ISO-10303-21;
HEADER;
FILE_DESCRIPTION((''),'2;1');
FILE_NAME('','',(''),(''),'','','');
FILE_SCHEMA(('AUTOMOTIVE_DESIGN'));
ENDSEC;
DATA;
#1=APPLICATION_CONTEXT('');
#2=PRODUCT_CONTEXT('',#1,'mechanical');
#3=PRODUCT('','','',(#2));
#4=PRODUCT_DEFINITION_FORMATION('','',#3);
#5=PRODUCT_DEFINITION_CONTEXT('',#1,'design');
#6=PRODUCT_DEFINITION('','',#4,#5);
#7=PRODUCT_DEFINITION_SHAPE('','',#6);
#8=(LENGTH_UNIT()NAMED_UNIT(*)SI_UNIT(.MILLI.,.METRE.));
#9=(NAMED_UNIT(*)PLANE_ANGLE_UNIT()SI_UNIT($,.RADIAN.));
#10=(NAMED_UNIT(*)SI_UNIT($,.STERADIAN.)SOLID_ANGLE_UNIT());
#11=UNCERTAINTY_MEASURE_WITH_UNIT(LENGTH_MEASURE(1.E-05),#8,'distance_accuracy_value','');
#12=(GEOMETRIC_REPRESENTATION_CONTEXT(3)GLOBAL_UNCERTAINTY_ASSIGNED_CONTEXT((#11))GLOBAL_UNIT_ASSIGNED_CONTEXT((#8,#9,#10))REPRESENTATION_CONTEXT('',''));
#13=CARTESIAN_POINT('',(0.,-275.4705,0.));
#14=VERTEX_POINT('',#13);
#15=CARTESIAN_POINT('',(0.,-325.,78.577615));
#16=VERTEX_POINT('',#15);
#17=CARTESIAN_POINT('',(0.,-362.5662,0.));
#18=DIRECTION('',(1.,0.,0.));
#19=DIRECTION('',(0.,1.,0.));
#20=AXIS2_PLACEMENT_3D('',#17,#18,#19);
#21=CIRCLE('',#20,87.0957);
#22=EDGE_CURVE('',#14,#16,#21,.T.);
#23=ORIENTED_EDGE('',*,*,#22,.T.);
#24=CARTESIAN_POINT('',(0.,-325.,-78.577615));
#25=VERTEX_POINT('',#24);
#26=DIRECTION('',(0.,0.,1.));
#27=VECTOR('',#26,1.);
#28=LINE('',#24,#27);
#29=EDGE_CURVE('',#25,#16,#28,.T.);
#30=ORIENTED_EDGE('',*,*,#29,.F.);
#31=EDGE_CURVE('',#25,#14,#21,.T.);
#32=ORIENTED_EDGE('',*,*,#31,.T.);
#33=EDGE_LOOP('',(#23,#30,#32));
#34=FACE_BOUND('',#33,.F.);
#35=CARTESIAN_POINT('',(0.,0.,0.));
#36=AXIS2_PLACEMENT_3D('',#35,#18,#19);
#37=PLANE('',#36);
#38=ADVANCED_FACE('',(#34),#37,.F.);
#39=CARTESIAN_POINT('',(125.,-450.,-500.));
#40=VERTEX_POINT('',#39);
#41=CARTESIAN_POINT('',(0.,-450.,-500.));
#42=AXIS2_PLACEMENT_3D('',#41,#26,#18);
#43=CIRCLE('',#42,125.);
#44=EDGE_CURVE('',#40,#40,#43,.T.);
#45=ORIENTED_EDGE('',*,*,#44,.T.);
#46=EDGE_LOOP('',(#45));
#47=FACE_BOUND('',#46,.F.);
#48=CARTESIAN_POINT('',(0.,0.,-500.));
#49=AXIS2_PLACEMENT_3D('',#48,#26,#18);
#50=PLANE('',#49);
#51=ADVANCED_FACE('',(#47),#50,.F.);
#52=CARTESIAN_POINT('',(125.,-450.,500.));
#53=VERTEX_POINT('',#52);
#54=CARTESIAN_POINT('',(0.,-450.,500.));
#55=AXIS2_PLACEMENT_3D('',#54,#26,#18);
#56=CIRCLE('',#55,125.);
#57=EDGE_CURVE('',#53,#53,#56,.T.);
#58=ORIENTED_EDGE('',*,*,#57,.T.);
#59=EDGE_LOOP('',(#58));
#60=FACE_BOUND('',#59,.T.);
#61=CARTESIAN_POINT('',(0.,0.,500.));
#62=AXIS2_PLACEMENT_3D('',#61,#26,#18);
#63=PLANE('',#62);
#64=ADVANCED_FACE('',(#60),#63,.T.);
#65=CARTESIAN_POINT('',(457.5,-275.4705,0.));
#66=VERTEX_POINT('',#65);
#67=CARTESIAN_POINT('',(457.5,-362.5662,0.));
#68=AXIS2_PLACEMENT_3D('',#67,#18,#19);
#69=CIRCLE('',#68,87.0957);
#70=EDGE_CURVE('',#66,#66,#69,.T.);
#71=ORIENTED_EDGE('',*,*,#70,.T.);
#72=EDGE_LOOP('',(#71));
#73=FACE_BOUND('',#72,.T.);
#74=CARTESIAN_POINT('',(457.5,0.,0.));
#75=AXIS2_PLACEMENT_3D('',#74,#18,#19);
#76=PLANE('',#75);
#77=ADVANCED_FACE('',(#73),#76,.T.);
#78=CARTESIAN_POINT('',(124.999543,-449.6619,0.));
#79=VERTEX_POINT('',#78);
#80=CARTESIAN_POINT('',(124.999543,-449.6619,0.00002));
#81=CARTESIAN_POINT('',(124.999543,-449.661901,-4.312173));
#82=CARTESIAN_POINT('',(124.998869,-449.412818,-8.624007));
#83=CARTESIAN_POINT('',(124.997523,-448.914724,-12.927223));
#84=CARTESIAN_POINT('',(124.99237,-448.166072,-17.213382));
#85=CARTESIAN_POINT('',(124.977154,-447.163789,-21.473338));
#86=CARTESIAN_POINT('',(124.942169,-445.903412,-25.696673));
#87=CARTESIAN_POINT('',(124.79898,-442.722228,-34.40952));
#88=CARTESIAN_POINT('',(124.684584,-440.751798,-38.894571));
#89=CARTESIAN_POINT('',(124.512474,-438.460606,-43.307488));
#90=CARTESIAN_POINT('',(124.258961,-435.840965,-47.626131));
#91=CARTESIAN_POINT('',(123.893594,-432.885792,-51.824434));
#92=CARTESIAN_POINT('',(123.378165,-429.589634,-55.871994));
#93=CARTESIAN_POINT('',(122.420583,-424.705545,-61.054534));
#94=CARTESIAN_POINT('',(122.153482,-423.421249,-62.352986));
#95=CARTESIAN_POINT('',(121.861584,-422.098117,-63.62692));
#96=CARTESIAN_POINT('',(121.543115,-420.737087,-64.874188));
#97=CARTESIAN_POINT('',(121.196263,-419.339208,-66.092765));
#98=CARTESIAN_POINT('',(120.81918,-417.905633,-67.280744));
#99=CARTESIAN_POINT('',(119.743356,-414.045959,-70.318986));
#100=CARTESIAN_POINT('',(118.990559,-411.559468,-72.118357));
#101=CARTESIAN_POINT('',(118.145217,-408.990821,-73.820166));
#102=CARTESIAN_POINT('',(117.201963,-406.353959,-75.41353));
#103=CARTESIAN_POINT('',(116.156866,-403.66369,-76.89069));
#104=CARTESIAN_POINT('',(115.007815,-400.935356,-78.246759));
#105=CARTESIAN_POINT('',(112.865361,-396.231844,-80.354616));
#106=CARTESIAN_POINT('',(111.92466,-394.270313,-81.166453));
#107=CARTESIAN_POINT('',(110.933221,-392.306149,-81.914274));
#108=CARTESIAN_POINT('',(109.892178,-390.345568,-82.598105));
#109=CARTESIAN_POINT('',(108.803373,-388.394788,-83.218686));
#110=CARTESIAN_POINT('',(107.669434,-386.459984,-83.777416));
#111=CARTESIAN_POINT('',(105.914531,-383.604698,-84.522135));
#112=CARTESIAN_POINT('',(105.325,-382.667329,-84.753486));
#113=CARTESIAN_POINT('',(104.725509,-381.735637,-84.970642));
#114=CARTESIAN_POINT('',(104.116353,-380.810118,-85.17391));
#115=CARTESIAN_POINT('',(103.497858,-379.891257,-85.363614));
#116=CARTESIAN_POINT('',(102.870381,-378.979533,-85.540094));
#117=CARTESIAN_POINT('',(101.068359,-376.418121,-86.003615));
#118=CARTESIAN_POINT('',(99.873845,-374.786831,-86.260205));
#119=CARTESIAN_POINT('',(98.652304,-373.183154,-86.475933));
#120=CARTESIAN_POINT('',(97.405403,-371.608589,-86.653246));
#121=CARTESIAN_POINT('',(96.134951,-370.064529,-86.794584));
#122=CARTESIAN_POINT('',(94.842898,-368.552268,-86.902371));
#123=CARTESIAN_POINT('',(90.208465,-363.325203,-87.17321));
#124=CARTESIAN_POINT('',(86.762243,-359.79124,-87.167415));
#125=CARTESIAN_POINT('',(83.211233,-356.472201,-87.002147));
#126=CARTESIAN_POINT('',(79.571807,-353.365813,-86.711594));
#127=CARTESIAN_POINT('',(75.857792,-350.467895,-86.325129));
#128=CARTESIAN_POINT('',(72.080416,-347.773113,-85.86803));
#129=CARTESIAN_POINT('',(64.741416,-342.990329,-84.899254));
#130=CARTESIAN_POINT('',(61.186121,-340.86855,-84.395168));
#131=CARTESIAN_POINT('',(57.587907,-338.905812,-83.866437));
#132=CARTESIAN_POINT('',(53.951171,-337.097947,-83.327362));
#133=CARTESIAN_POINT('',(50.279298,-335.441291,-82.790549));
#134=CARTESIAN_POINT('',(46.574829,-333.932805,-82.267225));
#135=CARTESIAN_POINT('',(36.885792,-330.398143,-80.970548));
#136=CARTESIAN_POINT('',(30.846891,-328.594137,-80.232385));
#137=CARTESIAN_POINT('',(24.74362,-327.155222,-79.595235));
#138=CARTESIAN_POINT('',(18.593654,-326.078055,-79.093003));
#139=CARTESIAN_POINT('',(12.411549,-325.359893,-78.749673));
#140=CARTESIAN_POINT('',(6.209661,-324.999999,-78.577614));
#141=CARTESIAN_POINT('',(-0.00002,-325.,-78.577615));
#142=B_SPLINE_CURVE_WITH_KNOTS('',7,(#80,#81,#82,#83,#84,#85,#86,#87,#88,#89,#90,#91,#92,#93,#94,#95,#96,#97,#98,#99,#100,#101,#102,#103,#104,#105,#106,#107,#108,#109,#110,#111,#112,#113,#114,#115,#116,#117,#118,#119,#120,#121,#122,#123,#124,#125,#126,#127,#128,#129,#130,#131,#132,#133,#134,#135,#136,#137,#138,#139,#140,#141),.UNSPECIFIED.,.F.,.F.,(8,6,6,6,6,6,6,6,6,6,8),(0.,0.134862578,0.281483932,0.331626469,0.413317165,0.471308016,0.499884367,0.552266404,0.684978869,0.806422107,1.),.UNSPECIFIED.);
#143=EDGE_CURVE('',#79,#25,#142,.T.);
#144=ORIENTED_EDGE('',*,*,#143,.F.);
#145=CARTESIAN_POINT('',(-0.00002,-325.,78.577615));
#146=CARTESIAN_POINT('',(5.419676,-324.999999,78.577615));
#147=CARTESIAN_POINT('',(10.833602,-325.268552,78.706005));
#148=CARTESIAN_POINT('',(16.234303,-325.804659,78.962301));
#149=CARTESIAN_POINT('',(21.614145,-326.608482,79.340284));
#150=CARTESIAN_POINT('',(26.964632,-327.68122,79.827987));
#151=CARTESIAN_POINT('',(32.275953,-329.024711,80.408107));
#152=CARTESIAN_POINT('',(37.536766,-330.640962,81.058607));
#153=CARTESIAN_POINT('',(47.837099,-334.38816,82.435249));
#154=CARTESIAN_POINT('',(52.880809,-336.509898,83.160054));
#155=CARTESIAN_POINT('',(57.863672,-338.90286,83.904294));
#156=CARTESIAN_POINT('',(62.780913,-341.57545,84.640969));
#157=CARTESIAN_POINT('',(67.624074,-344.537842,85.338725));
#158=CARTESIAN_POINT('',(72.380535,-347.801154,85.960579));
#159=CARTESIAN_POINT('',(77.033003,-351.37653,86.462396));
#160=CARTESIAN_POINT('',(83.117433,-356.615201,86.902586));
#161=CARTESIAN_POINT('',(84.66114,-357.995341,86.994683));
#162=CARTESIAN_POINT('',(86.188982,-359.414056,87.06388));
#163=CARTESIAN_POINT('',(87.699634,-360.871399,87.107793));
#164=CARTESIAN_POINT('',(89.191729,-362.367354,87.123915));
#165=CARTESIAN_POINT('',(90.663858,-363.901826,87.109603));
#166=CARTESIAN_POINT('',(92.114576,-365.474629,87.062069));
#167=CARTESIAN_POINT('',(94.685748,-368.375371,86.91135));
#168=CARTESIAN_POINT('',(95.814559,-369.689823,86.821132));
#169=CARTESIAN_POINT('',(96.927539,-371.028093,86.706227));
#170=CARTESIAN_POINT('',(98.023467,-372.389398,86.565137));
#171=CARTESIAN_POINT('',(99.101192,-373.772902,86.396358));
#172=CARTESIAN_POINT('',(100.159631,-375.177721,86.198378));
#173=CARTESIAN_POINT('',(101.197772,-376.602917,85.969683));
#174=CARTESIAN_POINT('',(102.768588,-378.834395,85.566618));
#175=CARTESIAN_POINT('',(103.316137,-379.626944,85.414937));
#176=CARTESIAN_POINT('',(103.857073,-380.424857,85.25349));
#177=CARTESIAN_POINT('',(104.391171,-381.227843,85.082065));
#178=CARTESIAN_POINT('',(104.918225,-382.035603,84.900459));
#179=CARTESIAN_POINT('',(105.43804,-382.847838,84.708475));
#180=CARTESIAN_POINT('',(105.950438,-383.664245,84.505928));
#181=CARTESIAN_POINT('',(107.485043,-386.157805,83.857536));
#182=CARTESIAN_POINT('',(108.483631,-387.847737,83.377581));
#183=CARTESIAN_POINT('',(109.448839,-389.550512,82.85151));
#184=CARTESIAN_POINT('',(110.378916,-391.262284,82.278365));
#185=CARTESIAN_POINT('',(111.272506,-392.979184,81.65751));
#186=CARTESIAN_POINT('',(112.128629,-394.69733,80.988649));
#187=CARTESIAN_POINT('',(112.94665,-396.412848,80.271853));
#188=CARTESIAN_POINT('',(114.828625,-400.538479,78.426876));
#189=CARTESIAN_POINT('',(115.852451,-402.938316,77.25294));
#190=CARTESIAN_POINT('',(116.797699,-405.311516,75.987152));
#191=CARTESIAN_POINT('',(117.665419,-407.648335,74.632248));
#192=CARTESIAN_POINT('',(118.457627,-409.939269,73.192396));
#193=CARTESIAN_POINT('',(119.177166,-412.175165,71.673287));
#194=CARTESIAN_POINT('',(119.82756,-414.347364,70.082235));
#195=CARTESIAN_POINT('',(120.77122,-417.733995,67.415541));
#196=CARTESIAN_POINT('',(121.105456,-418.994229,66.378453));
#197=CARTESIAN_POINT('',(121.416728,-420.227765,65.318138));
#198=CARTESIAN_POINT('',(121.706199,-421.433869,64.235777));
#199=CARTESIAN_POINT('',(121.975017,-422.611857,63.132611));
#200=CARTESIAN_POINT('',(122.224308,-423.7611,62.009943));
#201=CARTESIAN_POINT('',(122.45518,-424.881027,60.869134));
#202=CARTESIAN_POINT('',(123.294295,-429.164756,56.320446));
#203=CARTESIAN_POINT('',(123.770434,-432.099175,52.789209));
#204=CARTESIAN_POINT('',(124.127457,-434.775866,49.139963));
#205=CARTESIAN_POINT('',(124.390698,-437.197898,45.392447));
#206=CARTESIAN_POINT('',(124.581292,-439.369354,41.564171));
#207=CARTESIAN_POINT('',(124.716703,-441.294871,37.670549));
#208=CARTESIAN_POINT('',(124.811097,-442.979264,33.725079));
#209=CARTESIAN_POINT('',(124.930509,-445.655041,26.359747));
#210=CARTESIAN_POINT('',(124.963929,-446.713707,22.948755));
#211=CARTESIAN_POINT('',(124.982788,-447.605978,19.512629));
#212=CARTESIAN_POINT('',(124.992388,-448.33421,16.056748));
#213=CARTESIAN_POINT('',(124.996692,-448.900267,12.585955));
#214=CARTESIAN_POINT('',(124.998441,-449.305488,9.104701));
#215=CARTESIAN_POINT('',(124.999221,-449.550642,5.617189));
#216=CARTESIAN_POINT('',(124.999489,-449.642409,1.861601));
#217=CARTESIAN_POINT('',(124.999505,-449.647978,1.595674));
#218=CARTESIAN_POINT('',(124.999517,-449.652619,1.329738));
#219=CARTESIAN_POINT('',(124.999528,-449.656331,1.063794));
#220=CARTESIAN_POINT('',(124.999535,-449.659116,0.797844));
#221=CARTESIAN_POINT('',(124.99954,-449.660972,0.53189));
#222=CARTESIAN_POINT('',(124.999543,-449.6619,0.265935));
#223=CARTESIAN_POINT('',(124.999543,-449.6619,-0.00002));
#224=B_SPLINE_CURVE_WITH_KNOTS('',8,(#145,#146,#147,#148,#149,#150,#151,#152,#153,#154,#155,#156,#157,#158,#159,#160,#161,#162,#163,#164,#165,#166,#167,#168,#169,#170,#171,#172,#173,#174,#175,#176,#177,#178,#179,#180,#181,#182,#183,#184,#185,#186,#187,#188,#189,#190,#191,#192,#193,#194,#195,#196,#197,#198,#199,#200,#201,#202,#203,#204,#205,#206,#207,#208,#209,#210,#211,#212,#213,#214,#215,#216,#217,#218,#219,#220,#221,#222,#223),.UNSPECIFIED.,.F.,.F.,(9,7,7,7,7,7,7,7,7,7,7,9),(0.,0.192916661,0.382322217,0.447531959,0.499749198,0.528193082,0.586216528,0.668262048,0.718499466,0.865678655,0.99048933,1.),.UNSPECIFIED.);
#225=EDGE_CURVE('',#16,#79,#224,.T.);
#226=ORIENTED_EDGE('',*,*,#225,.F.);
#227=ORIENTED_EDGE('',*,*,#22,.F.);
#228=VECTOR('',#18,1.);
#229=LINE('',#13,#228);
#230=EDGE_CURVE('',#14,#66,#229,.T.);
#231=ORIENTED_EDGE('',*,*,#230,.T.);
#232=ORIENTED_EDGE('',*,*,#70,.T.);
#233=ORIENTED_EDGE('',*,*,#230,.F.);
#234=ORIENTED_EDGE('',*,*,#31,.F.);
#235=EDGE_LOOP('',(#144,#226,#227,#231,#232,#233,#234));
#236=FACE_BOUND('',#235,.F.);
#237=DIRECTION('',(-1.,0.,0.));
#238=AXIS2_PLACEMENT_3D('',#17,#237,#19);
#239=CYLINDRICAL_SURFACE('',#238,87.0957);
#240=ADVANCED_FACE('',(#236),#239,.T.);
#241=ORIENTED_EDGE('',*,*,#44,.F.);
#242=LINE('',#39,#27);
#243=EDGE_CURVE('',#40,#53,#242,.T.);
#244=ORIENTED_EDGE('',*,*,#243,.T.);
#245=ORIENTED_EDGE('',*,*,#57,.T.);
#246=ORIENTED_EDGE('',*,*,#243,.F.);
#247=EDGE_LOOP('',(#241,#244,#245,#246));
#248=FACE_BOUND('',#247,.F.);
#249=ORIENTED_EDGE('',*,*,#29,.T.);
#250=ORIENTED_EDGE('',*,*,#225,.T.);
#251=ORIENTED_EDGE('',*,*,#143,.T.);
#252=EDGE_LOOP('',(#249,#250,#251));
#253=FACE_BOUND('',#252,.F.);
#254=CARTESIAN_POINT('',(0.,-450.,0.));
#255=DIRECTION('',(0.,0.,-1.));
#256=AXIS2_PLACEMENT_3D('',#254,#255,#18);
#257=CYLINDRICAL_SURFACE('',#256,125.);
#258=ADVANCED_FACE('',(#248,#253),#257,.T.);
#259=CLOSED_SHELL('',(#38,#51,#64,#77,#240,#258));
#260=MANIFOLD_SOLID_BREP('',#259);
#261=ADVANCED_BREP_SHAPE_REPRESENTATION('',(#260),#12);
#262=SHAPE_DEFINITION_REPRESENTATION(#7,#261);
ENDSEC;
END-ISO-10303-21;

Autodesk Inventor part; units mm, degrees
ref_plane "YZ Plane" through (0, 0, 0) normal (1, 0, 0) x (0, 1, 0)
ref_plane "XZ Plane" through (0, 0, 0) normal (0, 1, 0) x (-1, 0, 0)
ref_plane "XY Plane" through (0, 0, 0) normal (0, 0, 1) x (1, 0, 0)
sketch "Sketch1" plane through (0, 0, 0) normal (0, 0, 1) x (1, 0, 0)
  circle A0 centre (0, -450) radius 125
  point P0 (0, 0)
  dimension "d0" = 250
  dimension "d1" = 450
extrude "Extrusion1" add sketch "Sketch1" along normal mid plane 1000
sketch "Sketch2" plane through (0, 0, 0) normal (1, 0, 0) x (0, 1, 0)
  circle A0 centre (-362.5662, 0) radius 87.0957
  point P0 (0, 0)
extrude "Extrusion2" add sketch "Sketch2" along normal blind 457.5
properties part number "Тельфер Таль электрическая"
